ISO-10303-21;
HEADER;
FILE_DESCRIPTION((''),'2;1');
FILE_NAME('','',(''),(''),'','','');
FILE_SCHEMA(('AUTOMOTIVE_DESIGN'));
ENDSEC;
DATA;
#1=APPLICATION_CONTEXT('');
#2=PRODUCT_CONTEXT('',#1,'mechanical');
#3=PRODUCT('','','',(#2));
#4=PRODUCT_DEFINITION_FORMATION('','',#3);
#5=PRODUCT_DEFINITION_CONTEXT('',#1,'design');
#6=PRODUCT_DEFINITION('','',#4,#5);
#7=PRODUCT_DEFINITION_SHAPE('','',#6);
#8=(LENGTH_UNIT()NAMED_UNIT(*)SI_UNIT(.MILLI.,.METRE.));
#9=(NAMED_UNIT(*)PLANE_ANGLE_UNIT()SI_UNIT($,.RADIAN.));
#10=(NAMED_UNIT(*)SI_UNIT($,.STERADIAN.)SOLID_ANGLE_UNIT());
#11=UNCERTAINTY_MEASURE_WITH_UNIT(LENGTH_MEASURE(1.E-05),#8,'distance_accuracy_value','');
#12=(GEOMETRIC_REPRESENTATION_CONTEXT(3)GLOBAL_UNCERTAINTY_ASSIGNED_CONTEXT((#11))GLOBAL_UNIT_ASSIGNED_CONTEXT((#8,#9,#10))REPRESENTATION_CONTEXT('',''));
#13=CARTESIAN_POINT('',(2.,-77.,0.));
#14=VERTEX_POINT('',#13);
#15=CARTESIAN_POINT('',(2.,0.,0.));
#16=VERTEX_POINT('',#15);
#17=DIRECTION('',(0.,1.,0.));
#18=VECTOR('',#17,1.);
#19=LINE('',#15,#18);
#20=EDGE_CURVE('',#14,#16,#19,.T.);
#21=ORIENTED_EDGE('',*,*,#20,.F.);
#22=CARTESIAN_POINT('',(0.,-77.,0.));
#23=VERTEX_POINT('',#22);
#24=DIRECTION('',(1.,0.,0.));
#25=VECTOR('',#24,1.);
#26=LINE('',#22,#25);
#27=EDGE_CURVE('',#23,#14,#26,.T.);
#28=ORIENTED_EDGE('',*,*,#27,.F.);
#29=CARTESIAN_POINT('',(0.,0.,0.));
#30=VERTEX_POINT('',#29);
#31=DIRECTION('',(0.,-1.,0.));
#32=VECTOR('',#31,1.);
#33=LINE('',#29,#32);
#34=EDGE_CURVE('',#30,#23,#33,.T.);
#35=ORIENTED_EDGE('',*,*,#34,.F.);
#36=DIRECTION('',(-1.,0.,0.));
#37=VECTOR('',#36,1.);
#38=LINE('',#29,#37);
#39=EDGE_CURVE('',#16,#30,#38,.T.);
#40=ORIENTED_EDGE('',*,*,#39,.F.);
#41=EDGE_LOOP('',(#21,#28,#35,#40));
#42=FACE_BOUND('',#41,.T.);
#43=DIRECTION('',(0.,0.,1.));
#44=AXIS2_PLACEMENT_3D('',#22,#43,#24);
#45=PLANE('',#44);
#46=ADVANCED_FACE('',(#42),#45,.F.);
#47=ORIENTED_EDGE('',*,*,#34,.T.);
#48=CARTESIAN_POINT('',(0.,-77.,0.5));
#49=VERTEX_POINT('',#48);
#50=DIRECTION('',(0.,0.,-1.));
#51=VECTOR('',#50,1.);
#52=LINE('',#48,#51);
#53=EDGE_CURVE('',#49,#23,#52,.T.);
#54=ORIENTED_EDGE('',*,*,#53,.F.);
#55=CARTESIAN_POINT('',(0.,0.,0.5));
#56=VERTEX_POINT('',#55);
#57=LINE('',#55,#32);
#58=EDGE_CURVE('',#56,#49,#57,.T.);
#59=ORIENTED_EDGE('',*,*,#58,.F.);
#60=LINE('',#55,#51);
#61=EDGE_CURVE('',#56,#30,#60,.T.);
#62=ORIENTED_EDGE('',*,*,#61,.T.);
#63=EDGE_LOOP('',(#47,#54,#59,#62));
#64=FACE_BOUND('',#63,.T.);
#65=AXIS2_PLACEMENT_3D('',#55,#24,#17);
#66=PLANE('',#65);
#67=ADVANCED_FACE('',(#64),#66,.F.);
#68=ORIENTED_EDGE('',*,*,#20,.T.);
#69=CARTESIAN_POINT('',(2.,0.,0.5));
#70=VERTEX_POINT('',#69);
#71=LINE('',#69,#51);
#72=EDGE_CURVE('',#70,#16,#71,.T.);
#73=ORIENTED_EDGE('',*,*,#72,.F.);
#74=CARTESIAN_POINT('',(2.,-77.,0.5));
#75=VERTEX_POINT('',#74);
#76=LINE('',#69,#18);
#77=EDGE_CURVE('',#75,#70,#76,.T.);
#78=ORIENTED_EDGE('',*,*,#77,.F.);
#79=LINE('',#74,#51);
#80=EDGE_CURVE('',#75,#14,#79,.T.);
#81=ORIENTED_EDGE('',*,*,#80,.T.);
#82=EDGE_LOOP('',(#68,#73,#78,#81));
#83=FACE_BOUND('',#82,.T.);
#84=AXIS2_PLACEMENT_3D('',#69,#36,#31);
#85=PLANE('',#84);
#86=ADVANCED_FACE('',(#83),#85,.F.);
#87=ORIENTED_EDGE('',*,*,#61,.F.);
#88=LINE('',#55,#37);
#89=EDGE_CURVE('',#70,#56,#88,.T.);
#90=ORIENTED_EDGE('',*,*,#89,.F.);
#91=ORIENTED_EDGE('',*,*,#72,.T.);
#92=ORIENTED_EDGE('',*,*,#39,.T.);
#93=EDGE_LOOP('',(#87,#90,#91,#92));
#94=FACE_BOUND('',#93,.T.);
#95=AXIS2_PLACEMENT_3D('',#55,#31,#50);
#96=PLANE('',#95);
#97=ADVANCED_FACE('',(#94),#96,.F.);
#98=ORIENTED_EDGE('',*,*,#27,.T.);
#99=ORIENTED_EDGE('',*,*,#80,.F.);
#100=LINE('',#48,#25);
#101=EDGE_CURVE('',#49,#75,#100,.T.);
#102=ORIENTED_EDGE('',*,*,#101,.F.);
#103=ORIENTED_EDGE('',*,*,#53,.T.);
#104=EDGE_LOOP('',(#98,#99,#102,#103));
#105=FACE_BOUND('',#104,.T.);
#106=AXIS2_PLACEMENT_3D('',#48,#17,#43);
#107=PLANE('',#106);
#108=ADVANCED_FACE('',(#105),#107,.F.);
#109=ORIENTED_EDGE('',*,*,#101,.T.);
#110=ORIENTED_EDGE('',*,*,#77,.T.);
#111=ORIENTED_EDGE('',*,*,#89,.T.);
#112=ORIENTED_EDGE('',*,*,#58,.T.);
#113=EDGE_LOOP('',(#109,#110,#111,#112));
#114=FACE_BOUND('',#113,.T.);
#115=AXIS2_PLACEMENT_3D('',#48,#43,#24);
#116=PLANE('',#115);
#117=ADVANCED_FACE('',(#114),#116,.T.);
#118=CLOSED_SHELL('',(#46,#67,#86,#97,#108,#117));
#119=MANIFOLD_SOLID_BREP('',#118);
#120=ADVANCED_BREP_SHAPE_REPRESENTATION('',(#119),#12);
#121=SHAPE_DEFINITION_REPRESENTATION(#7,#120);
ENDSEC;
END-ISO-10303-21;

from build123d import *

# Parameters (mm, degrees)
ESQUISSE1_W        = 2
ESQUISSE1_H        = 77
BOSS_EXTRU_1_DEPTH = 0.5


with BuildPart() as part:
    # Esquisse1 → Boss.-Extru.1 (new body)
    with BuildSketch(Plane.XY):
        with Locations((1, -38.5)):
            Rectangle(ESQUISSE1_W, ESQUISSE1_H)
    extrude(amount=BOSS_EXTRU_1_DEPTH)


solid = part.part
